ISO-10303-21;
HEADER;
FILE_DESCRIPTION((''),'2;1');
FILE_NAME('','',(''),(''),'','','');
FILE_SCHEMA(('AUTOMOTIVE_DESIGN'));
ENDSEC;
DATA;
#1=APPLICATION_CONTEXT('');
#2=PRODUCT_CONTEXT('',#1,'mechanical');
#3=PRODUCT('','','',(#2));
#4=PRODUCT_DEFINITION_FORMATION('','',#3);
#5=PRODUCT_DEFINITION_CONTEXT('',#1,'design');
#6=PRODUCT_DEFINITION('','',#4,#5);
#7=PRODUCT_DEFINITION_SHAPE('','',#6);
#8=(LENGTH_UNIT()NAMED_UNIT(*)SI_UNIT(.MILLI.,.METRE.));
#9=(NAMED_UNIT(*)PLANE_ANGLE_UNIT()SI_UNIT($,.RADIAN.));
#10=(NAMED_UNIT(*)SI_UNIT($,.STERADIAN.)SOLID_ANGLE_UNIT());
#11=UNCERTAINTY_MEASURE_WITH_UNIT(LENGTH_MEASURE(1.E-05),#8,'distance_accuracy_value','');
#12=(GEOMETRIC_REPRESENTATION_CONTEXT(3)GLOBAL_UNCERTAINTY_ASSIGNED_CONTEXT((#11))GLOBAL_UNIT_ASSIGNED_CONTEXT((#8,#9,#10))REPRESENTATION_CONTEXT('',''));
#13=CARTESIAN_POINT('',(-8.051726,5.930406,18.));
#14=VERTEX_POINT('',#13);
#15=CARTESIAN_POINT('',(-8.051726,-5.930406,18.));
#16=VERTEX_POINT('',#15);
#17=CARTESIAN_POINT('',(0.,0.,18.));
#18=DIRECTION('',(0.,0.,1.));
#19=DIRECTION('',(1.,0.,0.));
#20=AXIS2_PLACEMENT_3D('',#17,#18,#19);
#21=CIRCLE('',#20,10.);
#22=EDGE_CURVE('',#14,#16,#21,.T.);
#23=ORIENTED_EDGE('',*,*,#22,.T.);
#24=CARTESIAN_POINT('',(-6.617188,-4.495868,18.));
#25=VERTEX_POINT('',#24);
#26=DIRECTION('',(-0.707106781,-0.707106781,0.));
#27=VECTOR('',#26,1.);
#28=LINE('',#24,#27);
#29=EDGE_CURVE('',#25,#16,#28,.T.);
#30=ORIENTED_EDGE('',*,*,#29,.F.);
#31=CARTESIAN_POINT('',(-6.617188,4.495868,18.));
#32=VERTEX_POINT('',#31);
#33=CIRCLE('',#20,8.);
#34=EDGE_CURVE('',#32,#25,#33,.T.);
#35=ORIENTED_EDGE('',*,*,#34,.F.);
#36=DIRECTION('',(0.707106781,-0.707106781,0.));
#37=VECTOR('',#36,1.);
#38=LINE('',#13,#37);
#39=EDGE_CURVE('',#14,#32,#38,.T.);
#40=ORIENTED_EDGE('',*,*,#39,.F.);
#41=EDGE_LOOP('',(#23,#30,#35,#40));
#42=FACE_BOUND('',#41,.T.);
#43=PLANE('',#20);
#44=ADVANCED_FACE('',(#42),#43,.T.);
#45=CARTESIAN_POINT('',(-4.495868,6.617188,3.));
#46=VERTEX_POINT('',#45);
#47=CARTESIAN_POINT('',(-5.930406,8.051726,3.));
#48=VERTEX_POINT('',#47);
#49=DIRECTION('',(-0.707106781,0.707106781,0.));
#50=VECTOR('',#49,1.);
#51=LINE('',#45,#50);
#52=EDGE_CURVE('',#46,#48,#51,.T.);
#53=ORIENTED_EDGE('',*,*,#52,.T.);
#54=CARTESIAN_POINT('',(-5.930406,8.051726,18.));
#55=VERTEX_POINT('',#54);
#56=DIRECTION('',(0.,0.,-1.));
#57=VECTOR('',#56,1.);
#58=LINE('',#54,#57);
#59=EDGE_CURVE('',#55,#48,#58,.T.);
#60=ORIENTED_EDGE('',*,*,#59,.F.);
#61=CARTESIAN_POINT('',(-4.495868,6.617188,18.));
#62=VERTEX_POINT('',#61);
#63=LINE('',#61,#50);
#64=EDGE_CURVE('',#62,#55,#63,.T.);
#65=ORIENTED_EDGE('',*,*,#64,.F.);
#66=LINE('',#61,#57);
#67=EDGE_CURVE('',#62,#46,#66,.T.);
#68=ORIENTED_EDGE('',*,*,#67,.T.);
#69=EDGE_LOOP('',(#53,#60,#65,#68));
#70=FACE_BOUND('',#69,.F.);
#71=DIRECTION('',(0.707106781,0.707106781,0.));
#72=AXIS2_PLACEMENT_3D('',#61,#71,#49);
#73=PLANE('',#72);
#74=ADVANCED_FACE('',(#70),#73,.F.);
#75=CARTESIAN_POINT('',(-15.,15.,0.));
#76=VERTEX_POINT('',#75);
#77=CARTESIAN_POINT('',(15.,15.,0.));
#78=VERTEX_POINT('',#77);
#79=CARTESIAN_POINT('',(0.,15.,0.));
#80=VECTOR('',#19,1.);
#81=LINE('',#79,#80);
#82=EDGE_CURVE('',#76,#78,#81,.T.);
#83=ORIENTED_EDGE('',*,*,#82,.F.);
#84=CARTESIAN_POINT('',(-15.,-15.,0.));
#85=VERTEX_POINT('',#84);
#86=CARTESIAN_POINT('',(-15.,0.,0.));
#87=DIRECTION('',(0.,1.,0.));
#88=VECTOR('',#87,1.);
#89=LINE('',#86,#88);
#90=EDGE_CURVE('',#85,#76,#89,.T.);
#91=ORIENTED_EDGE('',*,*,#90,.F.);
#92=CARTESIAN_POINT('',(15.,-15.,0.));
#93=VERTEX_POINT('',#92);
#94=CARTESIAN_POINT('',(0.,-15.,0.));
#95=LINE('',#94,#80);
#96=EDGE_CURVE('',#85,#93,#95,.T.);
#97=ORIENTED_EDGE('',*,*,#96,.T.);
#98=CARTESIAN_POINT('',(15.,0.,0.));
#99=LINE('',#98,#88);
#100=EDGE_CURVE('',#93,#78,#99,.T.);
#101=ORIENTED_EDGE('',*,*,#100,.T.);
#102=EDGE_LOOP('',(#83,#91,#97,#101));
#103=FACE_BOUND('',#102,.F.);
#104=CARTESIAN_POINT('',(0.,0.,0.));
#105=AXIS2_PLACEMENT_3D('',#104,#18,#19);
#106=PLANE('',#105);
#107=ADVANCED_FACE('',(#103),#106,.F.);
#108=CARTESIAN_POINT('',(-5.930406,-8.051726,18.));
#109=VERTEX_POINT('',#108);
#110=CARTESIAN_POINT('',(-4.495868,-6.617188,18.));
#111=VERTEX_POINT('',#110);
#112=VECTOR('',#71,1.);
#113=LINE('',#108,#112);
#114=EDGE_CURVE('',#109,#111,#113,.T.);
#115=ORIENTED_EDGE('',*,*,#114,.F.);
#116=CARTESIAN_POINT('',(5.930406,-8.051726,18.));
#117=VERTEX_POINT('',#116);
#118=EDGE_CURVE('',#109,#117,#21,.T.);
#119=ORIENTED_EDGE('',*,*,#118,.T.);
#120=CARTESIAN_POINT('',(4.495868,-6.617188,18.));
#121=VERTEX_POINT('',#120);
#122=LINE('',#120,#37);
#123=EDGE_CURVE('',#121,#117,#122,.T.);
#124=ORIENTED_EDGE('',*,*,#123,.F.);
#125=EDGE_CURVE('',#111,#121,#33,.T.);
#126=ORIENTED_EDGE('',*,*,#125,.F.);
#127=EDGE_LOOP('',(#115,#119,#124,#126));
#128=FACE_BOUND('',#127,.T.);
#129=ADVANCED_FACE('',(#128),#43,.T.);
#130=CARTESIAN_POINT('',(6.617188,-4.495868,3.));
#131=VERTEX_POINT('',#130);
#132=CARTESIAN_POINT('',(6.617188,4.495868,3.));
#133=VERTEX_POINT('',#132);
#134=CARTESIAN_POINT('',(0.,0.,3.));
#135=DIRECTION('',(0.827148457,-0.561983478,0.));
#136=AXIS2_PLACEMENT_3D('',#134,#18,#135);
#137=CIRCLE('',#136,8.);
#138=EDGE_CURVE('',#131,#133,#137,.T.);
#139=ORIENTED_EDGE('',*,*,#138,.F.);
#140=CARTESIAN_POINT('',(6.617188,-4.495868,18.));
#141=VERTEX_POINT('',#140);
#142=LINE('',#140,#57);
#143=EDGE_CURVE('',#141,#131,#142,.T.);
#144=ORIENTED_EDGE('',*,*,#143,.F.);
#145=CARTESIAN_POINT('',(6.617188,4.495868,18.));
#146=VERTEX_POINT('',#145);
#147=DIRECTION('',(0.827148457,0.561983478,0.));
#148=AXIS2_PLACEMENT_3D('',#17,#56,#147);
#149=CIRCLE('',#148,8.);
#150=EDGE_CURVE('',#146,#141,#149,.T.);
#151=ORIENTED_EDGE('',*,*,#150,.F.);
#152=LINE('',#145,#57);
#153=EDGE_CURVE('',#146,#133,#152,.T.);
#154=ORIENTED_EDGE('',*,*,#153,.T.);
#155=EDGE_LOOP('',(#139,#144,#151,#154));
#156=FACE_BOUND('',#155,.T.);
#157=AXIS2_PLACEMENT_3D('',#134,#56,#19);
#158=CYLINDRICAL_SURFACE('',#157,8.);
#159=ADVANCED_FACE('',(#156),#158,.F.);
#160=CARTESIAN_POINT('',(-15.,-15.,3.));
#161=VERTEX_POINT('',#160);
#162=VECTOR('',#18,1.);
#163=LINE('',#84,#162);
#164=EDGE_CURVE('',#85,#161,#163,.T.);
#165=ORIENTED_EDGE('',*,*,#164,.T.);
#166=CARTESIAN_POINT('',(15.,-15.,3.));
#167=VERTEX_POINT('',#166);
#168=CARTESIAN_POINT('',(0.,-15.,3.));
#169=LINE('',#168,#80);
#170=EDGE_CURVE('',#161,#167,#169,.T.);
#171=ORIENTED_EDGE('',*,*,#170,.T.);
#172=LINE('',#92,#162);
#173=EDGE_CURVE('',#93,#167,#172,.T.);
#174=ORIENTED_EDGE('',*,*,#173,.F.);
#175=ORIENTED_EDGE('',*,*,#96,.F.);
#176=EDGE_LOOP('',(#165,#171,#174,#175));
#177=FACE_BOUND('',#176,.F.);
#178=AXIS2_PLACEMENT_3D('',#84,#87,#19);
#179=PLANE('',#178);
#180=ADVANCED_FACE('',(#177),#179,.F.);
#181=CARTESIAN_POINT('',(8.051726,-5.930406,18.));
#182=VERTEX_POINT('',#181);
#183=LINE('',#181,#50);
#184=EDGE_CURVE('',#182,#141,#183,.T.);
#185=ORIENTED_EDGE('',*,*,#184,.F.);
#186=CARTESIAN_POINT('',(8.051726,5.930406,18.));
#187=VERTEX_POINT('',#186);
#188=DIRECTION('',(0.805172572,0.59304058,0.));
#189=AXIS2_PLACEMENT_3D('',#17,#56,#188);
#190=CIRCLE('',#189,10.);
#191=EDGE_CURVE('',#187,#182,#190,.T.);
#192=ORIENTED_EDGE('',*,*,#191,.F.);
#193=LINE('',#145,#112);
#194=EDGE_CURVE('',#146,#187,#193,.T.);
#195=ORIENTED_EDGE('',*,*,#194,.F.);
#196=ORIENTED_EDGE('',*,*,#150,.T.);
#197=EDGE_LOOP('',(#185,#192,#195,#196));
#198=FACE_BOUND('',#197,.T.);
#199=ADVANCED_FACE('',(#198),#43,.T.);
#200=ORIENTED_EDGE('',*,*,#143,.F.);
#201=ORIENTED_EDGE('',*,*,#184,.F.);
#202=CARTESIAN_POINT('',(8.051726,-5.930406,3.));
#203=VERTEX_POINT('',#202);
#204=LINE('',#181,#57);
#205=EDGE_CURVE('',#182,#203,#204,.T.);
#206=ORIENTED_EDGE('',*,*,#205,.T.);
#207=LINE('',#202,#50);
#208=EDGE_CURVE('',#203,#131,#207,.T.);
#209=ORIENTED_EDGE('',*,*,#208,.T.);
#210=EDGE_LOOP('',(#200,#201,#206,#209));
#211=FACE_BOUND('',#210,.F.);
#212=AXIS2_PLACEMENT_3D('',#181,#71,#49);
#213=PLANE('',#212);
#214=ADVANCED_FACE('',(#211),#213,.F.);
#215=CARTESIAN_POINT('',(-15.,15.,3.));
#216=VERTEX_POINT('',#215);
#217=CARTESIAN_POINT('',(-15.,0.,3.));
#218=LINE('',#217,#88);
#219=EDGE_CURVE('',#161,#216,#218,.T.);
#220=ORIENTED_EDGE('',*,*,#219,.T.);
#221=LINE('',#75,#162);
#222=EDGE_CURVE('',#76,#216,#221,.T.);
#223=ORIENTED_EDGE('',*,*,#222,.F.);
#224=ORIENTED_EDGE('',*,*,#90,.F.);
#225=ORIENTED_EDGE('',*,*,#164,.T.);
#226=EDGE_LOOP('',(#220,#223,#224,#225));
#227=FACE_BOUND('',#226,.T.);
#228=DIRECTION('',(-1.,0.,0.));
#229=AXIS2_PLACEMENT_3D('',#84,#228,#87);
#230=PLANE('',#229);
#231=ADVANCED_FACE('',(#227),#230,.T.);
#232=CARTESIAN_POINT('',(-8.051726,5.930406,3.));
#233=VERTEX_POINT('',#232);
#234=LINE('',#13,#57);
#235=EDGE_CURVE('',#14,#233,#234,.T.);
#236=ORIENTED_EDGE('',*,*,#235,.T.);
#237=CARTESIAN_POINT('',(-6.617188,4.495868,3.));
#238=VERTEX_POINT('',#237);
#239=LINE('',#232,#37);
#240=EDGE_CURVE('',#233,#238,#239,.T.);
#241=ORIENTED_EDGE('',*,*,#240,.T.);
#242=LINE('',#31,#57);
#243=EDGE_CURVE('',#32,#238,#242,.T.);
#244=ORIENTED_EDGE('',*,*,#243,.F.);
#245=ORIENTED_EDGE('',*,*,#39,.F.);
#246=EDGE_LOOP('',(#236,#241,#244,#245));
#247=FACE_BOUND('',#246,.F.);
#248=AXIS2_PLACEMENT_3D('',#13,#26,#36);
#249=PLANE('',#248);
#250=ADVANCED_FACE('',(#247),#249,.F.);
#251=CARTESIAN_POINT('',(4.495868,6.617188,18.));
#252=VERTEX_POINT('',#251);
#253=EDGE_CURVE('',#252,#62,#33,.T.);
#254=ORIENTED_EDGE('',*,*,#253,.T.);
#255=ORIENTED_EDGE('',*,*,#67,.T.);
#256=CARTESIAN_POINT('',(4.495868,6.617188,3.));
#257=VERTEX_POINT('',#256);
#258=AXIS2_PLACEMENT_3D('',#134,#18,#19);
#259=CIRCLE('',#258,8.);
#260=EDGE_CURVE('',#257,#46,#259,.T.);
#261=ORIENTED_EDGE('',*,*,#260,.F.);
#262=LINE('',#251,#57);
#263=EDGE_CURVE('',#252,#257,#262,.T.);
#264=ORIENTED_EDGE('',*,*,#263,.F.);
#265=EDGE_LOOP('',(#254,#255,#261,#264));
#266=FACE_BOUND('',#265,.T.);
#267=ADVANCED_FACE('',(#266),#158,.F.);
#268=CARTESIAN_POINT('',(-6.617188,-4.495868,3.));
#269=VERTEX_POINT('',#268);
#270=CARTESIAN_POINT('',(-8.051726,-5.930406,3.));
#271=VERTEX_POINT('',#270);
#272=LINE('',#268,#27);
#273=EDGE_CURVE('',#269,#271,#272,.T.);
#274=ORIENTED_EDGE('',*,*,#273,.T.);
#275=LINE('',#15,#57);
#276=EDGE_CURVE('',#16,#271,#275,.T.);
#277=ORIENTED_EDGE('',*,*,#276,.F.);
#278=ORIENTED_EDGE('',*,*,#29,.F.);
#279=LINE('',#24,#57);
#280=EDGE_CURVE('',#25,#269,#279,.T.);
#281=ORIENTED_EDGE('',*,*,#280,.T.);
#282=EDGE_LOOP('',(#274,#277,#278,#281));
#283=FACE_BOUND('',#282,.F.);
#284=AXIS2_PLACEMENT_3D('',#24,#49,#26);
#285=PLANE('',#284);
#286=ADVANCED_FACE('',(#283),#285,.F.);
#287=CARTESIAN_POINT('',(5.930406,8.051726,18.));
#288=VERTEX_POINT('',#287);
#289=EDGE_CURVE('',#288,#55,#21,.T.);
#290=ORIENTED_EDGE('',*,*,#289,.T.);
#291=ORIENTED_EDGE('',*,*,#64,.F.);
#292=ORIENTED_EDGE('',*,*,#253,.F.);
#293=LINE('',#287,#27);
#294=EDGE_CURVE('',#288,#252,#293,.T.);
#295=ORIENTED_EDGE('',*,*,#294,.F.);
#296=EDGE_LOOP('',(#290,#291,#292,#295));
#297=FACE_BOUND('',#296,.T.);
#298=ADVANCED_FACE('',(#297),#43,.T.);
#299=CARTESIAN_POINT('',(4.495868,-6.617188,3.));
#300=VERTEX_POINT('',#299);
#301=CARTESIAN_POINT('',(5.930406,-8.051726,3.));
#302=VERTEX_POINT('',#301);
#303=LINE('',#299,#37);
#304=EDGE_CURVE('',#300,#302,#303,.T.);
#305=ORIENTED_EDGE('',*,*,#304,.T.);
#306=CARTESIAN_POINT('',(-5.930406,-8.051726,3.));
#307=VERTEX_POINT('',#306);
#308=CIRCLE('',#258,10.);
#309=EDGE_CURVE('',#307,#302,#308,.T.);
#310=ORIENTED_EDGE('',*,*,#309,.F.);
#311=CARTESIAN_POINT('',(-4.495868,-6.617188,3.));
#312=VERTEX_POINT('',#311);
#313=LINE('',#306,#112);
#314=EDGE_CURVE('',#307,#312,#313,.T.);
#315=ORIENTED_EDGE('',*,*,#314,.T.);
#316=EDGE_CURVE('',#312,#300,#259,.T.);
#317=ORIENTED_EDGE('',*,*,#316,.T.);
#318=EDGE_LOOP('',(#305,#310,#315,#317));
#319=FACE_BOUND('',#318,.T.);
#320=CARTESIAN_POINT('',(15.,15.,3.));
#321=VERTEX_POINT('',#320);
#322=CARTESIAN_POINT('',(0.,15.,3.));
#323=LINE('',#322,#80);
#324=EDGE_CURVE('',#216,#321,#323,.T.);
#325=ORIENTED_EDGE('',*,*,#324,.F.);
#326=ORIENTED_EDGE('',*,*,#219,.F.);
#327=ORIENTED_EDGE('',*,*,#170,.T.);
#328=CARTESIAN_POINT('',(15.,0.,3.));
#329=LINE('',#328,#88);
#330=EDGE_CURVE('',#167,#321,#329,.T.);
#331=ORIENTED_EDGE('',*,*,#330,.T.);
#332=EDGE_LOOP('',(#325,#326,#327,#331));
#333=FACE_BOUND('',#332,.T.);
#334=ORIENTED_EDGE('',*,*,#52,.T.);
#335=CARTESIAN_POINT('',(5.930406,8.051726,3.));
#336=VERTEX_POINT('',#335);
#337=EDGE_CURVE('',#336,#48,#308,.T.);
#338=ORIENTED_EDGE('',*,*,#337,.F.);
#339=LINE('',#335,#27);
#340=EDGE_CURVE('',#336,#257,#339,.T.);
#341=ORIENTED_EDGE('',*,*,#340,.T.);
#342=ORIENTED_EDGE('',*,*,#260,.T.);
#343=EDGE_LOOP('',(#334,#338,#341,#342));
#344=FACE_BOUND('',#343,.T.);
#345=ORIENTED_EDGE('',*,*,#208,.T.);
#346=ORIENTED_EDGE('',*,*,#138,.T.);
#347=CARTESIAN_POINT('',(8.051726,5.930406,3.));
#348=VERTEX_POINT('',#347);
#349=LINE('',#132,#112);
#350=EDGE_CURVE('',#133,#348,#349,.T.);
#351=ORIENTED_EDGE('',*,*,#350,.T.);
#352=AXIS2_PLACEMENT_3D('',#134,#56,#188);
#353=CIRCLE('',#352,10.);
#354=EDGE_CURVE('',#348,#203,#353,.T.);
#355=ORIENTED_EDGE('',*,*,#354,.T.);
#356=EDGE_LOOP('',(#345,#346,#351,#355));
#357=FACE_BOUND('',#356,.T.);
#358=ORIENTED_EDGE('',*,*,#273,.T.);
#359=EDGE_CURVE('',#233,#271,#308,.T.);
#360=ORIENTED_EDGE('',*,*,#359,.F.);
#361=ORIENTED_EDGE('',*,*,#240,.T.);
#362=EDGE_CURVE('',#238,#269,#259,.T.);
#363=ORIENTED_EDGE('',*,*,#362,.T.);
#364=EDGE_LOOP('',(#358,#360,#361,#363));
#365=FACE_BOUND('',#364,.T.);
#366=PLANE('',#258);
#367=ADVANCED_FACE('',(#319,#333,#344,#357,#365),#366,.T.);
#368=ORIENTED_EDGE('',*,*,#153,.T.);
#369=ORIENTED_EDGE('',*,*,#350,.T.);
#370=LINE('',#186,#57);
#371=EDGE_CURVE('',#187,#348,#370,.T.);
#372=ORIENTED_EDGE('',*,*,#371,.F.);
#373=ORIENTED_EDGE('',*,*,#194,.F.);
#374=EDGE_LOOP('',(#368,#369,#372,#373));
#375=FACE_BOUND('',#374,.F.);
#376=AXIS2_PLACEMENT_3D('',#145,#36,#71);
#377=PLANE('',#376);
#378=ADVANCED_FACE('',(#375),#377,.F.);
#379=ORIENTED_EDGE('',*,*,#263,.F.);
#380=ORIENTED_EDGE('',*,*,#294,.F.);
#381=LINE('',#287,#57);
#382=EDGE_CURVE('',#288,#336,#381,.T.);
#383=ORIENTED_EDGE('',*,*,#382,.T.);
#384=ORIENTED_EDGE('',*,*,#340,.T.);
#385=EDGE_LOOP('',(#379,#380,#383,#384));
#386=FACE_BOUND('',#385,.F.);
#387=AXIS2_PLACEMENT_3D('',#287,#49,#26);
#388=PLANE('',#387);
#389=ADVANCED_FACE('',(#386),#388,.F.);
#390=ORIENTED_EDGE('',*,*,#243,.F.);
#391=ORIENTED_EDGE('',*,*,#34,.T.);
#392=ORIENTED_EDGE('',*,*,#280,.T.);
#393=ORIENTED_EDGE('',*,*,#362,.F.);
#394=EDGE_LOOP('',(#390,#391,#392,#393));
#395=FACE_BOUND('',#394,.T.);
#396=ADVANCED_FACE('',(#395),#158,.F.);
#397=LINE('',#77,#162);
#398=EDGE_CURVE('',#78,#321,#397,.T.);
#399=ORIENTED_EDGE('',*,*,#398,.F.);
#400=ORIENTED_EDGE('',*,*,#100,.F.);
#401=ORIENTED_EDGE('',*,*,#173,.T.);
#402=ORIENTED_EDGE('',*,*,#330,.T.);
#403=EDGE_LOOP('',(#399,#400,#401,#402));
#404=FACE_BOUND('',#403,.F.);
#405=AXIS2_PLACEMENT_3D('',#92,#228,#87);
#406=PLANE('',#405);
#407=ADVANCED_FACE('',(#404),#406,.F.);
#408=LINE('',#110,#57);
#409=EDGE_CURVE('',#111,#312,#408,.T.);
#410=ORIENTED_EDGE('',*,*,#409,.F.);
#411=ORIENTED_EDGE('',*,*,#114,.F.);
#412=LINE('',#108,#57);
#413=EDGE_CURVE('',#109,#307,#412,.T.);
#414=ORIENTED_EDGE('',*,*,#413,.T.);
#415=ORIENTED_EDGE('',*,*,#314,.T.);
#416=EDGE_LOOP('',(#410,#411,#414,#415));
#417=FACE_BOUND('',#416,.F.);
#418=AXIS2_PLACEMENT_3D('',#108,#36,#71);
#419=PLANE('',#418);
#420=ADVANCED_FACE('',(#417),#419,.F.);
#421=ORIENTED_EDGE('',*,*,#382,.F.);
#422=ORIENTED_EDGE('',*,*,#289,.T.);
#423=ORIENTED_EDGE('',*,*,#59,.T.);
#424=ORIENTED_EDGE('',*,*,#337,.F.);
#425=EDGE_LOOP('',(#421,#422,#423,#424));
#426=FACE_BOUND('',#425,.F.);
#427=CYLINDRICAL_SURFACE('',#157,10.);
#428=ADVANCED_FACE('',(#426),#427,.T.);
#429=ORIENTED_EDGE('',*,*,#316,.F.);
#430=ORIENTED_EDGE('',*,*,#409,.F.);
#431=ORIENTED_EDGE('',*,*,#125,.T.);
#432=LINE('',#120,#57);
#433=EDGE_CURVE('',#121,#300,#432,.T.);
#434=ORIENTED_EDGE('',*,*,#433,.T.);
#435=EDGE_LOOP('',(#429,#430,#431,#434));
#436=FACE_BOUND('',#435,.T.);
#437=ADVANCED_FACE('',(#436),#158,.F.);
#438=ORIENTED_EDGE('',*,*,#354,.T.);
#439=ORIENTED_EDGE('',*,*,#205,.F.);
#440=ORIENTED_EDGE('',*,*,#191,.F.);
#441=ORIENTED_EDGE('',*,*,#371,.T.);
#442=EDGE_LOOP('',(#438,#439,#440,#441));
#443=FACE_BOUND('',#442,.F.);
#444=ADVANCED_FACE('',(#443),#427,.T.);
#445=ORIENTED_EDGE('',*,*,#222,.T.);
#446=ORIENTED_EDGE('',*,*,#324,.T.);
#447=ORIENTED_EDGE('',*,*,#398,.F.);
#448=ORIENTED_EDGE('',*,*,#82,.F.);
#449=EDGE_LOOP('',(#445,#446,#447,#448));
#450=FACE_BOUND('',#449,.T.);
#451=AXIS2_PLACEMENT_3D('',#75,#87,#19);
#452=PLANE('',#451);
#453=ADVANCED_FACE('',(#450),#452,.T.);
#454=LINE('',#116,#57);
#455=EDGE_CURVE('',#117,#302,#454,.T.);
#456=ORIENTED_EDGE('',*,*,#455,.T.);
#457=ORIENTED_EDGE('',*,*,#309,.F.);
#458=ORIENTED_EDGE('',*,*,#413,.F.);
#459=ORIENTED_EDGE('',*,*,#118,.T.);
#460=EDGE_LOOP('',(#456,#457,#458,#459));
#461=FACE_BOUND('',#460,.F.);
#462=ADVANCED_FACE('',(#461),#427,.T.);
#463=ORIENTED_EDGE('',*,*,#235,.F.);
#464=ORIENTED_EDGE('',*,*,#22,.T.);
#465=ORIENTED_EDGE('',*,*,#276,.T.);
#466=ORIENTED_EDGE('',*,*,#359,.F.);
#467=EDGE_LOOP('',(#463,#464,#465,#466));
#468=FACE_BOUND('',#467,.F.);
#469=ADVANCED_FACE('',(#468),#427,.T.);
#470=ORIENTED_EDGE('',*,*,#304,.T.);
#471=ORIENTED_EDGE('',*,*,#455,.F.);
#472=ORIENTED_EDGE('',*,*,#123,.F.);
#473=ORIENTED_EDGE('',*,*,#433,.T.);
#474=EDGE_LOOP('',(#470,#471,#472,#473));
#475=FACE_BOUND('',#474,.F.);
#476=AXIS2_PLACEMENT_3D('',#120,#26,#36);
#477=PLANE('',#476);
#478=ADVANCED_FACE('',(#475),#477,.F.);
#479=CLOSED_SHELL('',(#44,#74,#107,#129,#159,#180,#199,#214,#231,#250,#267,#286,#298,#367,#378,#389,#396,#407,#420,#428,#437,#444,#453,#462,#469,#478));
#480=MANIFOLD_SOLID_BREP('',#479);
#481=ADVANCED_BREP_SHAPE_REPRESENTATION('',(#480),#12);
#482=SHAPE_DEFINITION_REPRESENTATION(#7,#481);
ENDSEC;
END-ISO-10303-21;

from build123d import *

# Parameters (mm, degrees)
F0_W     = 30
F0_H     = 30
F1_DEPTH = 3
F2_R     = 10
F2_R_2   = 8
F3_DEPTH = 15
F5_DEPTH = 15


with BuildPart() as f1:
    # F0 (on Top) → F1 (new body)
    with BuildSketch(Plane.XY):
        Rectangle(F0_W, F0_H)
    extrude(amount=F1_DEPTH)

    # F2 (on face) → F3 (join)
    with BuildSketch(Plane.XY.offset(3)):
        Circle(F2_R)
        Circle(F2_R_2, mode=Mode.SUBTRACT)
    extrude(amount=F3_DEPTH)

    # F4 (on face) → F5 (cut, through all)
    with BuildSketch(Plane.XY.offset(18)):
        with BuildLine():
            Line((-4.495868, 6.617188), (-5.930406, 8.051726))
            ThreePointArc((-5.930406, 8.051726), (-7.071068, 7.071068), (-8.051726, 5.930406))
            Line((-8.051726, 5.930406), (-6.617188, 4.495868))
            ThreePointArc((-6.617188, 4.495868), (-5.656854, 5.656854), (-4.495868, 6.617188))
        make_face()
        with BuildLine():
            ThreePointArc((8.051726, 5.930406), (7.071068, 7.071068), (5.930406, 8.051726))
            Line((5.930406, 8.051726), (4.495868, 6.617188))
            ThreePointArc((4.495868, 6.617188), (5.656854, 5.656854), (6.617188, 4.495868))
            Line((6.617188, 4.495868), (8.051726, 5.930406))
        make_face()
        with BuildLine():
            ThreePointArc((5.930406, -8.051726), (7.071068, -7.071068), (8.051726, -5.930406))
            Line((8.051726, -5.930406), (6.617188, -4.495868))
            ThreePointArc((6.617188, -4.495868), (5.656854, -5.656854), (4.495868, -6.617188))
            Line((4.495868, -6.617188), (5.930406, -8.051726))
        make_face()
        with BuildLine():
            Line((-6.617188, -4.495868), (-8.051726, -5.930406))
            ThreePointArc((-8.051726, -5.930406), (-7.071068, -7.071068), (-5.930406, -8.051726))
            Line((-5.930406, -8.051726), (-4.495868, -6.617188))
            ThreePointArc((-4.495868, -6.617188), (-5.656854, -5.656854), (-6.617188, -4.495868))
        make_face()
    extrude(amount=-F5_DEPTH, mode=Mode.SUBTRACT)


solid = f1.part
